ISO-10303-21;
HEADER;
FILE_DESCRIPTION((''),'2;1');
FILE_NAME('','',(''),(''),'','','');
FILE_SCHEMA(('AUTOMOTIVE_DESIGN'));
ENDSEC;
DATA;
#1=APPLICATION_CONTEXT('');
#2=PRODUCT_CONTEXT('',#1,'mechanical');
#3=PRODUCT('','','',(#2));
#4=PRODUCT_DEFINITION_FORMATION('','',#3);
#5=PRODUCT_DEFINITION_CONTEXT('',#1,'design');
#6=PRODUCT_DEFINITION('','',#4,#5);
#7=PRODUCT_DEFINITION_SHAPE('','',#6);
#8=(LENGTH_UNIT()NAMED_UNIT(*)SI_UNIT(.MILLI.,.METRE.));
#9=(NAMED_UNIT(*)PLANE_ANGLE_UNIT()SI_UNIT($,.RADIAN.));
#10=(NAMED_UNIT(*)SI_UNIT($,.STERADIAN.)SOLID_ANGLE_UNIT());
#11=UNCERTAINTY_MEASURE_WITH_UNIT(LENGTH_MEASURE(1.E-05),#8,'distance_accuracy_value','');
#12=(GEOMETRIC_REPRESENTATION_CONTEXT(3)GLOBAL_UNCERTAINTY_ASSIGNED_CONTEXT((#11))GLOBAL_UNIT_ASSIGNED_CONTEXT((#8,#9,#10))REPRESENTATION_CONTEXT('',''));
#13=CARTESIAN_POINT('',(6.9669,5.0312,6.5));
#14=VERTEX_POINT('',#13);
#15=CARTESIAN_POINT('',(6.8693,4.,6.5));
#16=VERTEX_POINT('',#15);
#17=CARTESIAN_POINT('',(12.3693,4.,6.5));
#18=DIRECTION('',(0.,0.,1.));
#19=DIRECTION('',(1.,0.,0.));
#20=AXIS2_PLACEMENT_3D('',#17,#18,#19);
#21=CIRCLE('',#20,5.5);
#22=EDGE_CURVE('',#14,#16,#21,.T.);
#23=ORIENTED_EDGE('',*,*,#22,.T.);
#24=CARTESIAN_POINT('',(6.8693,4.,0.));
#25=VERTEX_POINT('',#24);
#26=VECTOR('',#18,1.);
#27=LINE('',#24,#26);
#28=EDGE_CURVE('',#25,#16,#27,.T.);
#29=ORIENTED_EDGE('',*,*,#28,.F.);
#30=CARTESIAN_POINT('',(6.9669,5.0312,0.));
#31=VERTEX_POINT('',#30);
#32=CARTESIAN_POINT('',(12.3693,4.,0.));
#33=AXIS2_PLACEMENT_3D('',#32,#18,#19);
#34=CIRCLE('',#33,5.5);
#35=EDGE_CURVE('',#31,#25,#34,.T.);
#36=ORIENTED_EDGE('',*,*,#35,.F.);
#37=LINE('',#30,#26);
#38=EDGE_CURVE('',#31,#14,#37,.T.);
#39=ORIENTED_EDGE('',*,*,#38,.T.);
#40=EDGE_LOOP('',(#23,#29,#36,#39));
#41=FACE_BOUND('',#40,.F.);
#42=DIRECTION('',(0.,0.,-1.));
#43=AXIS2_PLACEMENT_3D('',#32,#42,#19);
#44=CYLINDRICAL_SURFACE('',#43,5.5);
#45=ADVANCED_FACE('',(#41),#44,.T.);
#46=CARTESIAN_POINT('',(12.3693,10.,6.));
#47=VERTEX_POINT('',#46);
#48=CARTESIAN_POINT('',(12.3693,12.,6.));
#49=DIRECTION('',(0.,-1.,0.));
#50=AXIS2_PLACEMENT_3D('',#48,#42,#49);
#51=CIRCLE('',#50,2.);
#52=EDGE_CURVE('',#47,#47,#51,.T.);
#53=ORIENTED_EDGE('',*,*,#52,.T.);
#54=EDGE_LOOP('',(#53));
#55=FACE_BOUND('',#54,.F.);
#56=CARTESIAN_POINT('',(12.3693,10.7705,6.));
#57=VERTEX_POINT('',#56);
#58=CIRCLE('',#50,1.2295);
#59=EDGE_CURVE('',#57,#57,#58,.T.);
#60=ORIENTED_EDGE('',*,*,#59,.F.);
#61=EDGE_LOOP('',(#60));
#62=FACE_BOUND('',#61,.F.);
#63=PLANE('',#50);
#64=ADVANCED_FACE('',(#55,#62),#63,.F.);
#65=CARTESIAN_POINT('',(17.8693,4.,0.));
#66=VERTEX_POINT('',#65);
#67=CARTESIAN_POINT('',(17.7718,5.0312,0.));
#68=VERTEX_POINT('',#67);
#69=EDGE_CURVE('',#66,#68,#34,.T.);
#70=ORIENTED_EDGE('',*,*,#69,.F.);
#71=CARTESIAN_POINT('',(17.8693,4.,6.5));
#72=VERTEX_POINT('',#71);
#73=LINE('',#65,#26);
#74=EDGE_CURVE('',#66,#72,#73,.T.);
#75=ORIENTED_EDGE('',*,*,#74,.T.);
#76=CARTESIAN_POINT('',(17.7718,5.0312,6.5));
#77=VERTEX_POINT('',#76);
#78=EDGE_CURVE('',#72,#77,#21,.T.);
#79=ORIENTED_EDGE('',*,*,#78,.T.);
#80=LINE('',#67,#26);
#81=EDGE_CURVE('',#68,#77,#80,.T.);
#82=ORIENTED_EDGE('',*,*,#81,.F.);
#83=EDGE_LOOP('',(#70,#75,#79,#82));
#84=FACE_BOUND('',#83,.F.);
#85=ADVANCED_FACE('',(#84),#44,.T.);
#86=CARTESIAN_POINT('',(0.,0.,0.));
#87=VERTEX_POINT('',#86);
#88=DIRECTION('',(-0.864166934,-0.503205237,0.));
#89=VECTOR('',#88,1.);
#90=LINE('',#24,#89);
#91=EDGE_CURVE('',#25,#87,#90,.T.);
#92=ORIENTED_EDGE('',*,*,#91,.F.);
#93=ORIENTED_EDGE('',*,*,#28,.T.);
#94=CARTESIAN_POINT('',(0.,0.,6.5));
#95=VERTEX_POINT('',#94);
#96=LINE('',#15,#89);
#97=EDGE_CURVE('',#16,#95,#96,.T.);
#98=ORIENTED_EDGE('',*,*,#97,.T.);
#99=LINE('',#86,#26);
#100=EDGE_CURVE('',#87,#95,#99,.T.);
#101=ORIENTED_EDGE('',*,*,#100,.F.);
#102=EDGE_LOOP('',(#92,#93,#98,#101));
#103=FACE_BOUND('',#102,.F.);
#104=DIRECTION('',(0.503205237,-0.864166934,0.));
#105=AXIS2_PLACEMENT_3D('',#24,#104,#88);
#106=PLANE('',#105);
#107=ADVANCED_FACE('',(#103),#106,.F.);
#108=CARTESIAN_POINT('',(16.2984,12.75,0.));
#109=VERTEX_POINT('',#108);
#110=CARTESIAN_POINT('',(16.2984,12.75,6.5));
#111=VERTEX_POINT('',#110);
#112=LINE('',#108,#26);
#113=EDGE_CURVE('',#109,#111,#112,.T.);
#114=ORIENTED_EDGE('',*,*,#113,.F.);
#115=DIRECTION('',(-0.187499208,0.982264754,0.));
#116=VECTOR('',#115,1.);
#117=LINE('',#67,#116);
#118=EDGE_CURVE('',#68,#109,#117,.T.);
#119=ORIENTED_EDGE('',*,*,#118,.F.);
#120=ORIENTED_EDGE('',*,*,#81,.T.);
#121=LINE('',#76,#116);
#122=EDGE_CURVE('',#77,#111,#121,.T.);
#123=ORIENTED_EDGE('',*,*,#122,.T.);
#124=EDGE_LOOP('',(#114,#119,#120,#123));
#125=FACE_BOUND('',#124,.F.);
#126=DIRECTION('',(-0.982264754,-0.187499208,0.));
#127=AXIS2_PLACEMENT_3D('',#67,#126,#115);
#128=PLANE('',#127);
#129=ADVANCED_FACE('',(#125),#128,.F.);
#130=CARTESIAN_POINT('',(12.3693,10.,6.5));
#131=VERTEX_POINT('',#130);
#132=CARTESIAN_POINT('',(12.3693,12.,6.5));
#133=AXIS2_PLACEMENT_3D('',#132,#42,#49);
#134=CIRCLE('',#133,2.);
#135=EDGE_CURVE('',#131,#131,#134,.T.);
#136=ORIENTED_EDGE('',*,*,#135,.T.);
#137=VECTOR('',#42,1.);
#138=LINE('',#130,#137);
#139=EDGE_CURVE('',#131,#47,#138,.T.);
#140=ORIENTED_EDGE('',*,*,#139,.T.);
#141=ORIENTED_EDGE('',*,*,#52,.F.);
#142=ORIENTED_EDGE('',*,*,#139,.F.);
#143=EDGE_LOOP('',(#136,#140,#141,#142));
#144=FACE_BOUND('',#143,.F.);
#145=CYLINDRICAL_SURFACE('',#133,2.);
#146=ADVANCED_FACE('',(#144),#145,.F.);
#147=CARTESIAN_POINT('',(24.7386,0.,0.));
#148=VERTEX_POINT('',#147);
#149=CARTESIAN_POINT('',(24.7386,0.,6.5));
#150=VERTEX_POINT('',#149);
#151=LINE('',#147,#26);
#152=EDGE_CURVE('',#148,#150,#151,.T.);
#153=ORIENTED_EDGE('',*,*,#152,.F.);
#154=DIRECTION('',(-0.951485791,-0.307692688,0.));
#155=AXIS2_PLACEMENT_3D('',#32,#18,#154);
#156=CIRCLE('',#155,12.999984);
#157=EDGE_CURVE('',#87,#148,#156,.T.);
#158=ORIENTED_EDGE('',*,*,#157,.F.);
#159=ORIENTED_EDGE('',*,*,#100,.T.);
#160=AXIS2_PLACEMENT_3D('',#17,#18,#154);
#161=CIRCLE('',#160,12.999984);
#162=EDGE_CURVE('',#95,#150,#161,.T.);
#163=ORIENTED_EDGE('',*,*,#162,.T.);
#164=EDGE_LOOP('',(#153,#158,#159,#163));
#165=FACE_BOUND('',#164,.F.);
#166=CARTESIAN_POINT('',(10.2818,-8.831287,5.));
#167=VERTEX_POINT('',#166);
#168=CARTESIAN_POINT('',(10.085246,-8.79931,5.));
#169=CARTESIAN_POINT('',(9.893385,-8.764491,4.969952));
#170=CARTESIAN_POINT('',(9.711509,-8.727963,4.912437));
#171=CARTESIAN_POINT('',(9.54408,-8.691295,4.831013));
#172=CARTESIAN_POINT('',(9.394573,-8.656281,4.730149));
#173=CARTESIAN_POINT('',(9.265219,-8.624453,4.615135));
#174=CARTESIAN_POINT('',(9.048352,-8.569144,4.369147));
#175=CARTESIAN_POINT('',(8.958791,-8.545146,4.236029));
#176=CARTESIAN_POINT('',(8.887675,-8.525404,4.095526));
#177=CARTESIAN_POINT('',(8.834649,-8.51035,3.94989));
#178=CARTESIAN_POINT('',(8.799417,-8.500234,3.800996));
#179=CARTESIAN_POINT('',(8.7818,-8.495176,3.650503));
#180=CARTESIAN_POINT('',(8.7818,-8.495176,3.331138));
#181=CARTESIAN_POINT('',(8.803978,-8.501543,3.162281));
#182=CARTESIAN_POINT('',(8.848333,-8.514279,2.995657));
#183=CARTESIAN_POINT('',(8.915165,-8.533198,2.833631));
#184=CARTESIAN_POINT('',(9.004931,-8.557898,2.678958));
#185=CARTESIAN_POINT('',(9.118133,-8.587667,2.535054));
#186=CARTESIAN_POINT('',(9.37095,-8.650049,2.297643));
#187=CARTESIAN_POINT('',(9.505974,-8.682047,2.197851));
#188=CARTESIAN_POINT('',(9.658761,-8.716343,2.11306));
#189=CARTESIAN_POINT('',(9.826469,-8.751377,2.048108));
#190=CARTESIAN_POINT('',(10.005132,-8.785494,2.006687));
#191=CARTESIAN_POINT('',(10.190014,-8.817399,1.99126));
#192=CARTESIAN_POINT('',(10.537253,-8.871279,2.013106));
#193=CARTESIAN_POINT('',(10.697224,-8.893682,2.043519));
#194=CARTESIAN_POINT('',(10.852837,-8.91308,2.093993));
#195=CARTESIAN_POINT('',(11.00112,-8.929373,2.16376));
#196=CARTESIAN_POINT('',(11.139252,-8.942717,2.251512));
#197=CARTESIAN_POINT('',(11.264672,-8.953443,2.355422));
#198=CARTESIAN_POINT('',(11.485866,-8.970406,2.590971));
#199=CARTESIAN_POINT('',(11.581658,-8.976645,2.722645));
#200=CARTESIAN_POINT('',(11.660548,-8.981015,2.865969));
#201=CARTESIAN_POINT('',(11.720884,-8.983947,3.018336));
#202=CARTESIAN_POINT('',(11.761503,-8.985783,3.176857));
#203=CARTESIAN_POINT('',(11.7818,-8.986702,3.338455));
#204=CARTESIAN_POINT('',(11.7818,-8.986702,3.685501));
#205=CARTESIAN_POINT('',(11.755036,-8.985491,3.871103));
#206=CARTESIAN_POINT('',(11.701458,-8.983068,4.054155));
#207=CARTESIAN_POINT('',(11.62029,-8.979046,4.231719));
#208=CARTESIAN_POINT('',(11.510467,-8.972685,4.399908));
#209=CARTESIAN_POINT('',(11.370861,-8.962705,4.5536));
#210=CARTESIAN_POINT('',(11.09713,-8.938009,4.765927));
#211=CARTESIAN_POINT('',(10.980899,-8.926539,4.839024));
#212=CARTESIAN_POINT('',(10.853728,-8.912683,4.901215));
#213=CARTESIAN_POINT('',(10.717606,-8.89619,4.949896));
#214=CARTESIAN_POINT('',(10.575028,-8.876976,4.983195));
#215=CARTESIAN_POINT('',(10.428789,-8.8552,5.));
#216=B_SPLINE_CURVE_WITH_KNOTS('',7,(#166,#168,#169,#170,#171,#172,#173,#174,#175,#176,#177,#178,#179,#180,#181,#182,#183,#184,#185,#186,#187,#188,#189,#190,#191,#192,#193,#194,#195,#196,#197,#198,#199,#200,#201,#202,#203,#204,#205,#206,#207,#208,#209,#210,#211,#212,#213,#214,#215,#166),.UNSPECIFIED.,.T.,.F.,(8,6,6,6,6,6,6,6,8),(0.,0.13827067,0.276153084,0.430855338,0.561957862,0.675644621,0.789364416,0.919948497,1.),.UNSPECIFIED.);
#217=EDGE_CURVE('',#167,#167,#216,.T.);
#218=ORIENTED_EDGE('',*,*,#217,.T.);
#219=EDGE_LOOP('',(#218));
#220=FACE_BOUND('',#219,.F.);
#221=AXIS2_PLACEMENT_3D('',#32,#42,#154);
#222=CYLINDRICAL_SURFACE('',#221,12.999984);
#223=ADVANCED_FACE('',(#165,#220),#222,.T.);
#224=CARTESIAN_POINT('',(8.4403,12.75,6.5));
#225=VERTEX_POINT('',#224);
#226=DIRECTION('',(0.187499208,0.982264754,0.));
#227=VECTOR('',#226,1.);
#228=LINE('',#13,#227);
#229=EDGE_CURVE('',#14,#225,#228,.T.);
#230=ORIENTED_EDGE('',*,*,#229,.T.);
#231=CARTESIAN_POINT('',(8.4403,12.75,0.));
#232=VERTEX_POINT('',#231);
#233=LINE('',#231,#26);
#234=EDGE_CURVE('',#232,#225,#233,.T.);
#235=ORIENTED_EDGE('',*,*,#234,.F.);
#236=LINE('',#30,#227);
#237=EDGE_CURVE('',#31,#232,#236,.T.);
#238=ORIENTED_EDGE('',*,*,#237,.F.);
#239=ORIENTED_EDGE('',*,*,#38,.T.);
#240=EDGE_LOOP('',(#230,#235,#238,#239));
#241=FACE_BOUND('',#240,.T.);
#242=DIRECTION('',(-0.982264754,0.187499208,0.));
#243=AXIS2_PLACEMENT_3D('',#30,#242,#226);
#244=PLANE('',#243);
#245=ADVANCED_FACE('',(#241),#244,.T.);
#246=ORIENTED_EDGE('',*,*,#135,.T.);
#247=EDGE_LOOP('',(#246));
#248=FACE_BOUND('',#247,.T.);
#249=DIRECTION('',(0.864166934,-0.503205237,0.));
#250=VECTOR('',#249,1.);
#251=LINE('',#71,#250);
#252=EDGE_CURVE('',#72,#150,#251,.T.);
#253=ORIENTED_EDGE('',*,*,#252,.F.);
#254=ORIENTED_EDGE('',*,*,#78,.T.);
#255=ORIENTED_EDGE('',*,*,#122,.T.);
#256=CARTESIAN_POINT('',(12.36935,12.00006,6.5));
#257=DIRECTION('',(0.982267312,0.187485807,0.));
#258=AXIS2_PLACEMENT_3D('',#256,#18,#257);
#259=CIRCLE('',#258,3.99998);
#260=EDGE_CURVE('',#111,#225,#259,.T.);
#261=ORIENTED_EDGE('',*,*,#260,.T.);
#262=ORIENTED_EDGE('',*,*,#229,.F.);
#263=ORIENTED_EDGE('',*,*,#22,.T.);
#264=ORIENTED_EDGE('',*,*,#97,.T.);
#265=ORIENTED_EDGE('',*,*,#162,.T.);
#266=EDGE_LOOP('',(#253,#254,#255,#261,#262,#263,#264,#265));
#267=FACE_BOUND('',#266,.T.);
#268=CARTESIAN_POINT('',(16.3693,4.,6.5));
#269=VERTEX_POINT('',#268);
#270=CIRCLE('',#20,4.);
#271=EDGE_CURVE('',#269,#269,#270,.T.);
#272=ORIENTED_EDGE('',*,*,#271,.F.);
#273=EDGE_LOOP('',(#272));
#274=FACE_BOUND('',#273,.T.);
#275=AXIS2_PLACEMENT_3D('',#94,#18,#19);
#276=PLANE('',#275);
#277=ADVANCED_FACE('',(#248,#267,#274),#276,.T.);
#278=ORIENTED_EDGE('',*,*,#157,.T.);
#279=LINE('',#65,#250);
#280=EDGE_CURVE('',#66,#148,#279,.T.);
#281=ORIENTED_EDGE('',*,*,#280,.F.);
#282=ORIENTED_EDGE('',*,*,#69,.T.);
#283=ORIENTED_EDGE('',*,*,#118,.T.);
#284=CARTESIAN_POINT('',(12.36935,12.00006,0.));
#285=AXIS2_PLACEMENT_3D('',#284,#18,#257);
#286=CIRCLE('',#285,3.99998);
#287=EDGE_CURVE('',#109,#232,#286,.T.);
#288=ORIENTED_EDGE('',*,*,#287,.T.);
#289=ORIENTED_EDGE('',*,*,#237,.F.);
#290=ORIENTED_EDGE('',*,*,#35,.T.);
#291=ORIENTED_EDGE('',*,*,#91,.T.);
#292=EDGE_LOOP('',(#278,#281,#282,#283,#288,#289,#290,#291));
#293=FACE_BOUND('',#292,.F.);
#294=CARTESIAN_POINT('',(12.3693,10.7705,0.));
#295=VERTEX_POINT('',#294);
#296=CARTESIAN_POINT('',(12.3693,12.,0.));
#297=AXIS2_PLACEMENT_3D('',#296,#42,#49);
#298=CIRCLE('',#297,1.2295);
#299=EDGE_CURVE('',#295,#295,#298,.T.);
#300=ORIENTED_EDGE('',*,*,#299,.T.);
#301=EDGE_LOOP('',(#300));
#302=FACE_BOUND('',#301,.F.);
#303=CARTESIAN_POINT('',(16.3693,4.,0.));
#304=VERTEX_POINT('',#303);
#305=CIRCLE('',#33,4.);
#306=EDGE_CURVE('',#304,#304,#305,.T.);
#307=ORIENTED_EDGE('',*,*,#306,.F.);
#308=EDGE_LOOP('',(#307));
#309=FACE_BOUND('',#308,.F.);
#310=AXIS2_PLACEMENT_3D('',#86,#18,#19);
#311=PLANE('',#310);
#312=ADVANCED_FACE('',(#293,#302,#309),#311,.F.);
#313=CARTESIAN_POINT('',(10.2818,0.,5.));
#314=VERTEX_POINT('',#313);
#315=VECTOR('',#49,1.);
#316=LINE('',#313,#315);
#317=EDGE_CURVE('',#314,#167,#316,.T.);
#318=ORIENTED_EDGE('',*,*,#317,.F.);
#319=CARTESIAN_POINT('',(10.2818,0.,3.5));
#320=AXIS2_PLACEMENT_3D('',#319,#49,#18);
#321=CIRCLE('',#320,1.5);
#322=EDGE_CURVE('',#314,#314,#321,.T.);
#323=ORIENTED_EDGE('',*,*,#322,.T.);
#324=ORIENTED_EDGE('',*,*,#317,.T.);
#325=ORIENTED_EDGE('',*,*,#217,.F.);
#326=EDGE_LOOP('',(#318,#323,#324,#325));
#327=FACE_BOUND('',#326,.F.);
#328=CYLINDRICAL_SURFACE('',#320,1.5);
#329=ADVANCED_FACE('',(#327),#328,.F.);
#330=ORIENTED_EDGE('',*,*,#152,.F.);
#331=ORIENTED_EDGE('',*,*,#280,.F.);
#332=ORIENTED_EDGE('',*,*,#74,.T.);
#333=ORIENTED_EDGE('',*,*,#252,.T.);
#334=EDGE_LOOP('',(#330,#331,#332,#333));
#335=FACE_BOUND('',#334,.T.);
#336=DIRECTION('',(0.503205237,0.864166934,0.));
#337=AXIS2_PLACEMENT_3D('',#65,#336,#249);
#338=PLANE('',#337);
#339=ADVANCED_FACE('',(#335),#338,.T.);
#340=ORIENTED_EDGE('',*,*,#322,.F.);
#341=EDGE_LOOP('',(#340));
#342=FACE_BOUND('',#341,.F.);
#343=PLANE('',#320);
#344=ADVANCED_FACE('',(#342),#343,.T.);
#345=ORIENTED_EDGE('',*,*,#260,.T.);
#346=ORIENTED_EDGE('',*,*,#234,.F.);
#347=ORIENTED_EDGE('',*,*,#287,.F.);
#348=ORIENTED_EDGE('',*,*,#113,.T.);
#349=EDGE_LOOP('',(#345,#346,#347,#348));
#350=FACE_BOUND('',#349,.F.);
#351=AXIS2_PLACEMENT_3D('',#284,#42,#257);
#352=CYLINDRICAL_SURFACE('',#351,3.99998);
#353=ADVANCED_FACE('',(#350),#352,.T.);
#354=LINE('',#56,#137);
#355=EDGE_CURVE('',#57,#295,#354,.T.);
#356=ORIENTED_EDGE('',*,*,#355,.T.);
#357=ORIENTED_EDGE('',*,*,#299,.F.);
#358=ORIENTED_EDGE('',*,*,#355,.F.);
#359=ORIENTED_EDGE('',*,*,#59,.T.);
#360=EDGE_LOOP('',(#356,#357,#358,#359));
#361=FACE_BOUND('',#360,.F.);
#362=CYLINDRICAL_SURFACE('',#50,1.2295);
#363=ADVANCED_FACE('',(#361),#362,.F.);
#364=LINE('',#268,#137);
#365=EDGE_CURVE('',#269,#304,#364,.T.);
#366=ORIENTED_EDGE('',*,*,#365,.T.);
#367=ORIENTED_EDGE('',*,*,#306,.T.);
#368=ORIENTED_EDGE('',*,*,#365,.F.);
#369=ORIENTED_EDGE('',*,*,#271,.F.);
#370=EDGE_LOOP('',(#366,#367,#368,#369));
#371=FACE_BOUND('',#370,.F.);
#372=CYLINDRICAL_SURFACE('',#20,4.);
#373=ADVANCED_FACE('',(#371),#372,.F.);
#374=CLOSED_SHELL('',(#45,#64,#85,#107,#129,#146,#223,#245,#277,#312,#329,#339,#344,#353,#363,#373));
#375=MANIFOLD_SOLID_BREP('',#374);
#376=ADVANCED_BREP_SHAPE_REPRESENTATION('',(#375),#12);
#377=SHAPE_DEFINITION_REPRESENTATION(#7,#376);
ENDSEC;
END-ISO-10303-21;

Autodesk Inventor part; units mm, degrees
ref_plane "YZ Plane" through (0, 0, 0) normal (1, 0, 0) x (0, 1, 0)
ref_plane "XY Plane" through (0, 0, 0) normal (0, 0, 1) x (1, 0, 0)
sketch "Skizze1" plane through (0, 0, 0) normal (0, 0, 1) x (1, 0, 0)
  line L0 (-2.6307, 4) -> (27.3693, 4) construction
  arc A0 (0, 0) -> (24.7386, 0) centre (12.3693, 4) ccw
  circle A1 centre (12.3693, 4) radius 5.5
  line L1 (17.8693, 4) -> (24.7386, 0)
  line L2 (6.8693, 4) -> (0, 0)
  line L3 (6.9669, 5.0312) -> (8.4403, 12.75)
  line L4 (17.7718, 5.0312) -> (16.2984, 12.75)
  arc A2 (16.2984, 12.75) -> (8.4403, 12.75) centre (12.3693, 12) ccw
  dimension "d2" = 26
  dimension "d3" = 11
  dimension "d4" = 4
  dimension "d5" = 4
  dimension "d6" = 8
extrude "Extrusion1" add sketch "Skizze1" along normal blind 6.5
sketch "Skizze2" plane through (0, 0, 6.5) normal (0, 0, 1) x (1, 0, 0)
  arc A0 (17.8693, 4) -> (17.7718, 5.0312) centre (12.3693, 4) ccw projected
  line L0 (17.7718, 5.0312) -> (16.2984, 12.75) projected
  arc A1 (16.2984, 12.75) -> (8.4403, 12.75) centre (12.3693, 12) ccw projected
  line L1 (8.4403, 12.75) -> (6.9669, 5.0312) projected
  arc A2 (6.9669, 5.0312) -> (6.8693, 4) centre (12.3693, 4) ccw projected
  line L2 (6.8693, 4) -> (0, 0) projected
  arc A3 (0, 0) -> (24.7386, 0) centre (12.3693, 4) ccw projected
  line L3 (24.7386, 0) -> (17.8693, 4) projected
  circle A4 centre (12.3693, 4) radius 4
  dimension "d9" = 8
extrude "Extrusion2" cut sketch "Skizze2" against normal up to surface (6.5 mm away) contours A4
sketch "Skizze3" plane through (0, 0, 6.5) normal (0, 0, 1) x (1, 0, 0)
  circle A0 centre (12.3693, 4) radius 4 projected
  point P0 (0, 0)
  point P1 (12.3693, 12)
  dimension "d12" = 8
hole "Bohrung1" at (12.3693, 12, 6.5) direction (0, 0, -1) diameter 2.459 depth 6.5 counterbore diameter 4 counterbore depth 0.5 thread size "M3x0.5" class "6H" standard "ISO Metric profile"
ref_plane "Arbeitsebene1" through (0, 0, 0) normal (0, 1, 0) x (-1, 0, 0)
sketch "Skizze4" plane through (0, 0, 0) normal (0, 1, 0) x (-1, 0, 0)
  line L0 (0, 6.5) -> (-24.7386, 6.5) projected
  line L1 (0, 0) -> (-24.7386, 0) projected
  line L2 (-24.7386, 0) -> (-24.7386, 6.5) projected
  line L3 (0, 6.5) -> (-24.7386, 6.5) projected
  line L4 (0, 0) -> (0, 6.5) projected
  point P0 (-12.3693, 6.5)
  point P1 (-10.2818, 3.5)
  point P2 (-12.3693, 6.5)
  dimension "d25" = 3
  dimension "d26" = 14.4568
hole "Bohrung2" at (10.2818, 0, 3.5) direction (0, -1, 0) diameter 3 end through all
properties part number "Kurbel" material "Stahl, galvanisiert"
